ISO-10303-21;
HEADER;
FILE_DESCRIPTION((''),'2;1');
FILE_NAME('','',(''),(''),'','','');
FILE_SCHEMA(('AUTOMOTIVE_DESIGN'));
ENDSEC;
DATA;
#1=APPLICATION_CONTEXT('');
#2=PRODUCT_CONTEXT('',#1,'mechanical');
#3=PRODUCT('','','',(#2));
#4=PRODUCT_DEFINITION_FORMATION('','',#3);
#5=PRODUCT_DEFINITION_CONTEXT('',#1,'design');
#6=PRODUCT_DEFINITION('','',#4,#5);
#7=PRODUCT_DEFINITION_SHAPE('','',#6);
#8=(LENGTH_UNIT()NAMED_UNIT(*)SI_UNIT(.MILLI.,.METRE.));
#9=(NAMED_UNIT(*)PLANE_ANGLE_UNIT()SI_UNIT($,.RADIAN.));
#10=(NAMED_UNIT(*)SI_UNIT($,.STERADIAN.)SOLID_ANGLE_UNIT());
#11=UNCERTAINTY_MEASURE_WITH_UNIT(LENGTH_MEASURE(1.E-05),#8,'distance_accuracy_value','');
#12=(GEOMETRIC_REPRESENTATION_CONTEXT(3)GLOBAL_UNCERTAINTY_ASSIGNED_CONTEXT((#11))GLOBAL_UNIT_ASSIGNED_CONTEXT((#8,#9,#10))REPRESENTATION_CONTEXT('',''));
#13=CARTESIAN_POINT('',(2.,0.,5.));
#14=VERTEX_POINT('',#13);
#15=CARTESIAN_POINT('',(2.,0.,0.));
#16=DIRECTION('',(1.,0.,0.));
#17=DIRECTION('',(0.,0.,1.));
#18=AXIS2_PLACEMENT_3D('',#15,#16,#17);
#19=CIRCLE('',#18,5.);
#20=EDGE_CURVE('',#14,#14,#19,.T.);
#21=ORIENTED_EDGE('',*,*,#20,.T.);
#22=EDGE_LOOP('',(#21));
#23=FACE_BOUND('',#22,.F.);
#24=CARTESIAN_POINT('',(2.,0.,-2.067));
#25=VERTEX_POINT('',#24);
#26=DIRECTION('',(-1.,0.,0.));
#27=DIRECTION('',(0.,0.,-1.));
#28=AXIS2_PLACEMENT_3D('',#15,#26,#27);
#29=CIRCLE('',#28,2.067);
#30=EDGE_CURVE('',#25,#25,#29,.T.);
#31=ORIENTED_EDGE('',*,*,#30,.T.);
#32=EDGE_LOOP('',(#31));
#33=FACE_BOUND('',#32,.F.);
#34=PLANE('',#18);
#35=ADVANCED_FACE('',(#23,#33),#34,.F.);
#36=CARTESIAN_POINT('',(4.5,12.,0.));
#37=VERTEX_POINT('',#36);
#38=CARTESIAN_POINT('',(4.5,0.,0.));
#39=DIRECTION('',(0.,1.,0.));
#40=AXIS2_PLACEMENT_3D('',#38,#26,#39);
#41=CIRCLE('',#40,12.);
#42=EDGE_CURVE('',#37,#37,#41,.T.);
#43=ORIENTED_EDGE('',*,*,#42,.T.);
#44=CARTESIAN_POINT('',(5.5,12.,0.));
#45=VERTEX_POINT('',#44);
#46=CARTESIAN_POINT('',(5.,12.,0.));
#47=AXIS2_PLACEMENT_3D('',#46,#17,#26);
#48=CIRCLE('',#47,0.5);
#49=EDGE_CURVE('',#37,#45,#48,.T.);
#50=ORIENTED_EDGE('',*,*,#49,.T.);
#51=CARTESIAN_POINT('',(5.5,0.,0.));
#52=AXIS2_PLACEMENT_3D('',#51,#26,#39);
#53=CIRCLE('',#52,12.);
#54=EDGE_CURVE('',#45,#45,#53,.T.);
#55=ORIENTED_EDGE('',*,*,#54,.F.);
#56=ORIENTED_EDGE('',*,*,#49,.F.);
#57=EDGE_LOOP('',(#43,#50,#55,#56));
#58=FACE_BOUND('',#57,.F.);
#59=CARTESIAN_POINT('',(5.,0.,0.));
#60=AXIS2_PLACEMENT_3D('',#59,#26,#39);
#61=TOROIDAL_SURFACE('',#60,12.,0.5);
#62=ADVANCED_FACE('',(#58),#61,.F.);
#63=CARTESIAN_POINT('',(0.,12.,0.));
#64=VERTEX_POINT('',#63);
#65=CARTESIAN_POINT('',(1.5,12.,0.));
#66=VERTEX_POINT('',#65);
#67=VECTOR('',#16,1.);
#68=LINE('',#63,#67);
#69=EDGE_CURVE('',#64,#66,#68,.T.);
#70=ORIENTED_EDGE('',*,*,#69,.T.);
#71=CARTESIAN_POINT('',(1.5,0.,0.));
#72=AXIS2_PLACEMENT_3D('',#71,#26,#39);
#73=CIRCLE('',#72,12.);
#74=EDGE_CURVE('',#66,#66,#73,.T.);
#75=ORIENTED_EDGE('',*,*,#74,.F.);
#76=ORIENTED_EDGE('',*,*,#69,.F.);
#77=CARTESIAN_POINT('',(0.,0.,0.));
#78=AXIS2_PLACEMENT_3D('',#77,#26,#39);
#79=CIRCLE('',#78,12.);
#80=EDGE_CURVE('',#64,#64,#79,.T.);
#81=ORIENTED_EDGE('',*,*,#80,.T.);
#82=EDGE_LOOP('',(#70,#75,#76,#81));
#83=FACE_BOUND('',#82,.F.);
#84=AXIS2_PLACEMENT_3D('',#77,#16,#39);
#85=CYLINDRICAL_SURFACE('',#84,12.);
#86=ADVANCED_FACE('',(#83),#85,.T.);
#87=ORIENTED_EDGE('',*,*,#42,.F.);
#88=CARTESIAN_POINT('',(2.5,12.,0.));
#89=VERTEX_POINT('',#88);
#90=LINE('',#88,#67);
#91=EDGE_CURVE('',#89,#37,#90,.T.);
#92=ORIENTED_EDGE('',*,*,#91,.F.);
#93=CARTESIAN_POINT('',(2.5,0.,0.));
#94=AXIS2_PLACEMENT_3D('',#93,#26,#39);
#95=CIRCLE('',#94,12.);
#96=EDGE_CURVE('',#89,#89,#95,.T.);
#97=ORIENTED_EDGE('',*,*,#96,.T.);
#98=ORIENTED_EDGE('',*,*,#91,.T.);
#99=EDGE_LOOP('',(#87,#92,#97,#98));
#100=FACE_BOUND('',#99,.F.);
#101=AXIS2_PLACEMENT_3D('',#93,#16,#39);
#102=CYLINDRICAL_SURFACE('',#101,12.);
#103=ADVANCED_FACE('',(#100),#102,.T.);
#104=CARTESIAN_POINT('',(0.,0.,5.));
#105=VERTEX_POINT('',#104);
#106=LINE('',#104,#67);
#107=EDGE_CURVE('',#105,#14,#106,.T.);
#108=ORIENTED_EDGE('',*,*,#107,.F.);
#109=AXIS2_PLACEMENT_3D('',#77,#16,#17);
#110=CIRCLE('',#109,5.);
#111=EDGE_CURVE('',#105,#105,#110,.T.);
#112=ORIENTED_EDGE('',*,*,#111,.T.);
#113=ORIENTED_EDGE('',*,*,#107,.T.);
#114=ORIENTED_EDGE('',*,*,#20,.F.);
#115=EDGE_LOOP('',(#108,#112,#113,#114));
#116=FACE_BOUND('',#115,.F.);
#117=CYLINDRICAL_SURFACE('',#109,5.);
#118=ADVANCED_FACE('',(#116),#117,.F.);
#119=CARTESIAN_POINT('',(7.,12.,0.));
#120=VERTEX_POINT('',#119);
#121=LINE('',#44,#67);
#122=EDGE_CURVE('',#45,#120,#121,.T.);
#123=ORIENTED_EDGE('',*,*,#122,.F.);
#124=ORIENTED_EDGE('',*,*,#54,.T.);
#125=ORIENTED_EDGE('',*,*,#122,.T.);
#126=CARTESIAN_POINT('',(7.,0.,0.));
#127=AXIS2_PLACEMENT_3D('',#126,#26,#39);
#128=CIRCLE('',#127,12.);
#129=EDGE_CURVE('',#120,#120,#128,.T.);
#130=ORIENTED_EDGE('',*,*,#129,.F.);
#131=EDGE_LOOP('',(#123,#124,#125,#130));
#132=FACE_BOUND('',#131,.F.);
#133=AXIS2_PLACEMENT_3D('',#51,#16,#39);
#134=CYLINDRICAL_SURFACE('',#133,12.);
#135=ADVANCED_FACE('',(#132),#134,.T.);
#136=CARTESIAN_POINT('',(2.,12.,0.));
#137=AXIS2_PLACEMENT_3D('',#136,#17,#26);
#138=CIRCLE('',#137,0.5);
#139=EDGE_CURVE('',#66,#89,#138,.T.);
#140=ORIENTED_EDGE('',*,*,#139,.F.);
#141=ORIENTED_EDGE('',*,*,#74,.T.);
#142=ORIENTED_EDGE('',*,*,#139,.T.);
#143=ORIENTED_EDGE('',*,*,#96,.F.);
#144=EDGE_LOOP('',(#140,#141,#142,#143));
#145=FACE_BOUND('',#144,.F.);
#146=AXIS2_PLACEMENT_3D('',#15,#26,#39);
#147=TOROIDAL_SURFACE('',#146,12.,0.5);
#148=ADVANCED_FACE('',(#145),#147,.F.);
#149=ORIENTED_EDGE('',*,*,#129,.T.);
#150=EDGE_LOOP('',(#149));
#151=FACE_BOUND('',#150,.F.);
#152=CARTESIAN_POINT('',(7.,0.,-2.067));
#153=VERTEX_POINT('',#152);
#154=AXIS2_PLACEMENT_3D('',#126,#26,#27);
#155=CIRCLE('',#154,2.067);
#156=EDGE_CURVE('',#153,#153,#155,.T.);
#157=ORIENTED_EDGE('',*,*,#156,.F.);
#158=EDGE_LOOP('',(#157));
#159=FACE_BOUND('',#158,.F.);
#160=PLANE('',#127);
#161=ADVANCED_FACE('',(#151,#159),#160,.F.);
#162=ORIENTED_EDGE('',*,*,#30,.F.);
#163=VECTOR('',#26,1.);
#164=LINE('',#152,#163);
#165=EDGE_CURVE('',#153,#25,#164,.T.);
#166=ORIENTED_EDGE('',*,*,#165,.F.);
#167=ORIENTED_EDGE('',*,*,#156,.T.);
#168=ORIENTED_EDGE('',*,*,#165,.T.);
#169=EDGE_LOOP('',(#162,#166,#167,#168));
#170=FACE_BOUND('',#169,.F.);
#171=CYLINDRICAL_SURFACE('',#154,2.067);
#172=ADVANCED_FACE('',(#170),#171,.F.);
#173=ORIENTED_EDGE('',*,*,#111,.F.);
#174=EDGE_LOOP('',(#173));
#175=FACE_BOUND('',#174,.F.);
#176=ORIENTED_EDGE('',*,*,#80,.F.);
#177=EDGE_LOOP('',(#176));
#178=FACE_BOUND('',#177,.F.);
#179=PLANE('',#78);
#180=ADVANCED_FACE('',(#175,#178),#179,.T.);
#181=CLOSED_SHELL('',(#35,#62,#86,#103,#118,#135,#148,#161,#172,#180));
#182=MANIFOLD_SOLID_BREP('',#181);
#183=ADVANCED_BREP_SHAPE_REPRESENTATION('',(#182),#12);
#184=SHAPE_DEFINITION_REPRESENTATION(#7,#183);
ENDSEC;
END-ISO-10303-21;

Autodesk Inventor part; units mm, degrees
ref_plane "YZ Plane" through (0, 0, 0) normal (1, 0, 0) x (0, 1, 0)
ref_plane "XZ Plane" through (0, 0, 0) normal (0, 1, 0) x (-1, 0, 0)
ref_plane "XY Plane" through (0, 0, 0) normal (0, 0, 1) x (1, 0, 0)
sketch "Sketch1" plane through (0, 0, 0) normal (0, 0, 1) x (1, 0, 0)
  line L0 (0, 0) -> (0, 12)
  line L1 (0, 12) -> (1.5, 12)
  line L2 (1.5, 12) -> (1.5, 12)
  line L3 (2.5, 12) -> (2.5, 12)
  line L4 (2.5, 12) -> (4.5, 12)
  line L5 (4.5, 12) -> (4.5, 12)
  line L6 (5.5, 12) -> (5.5, 12)
  line L7 (5.5, 12) -> (7, 12)
  line L8 (7, 12) -> (7, 0)
  line L9 (7, 0) -> (0, 0)
  arc A0 (1.5, 12) -> (2.5, 12) centre (2, 12) ccw
  arc A1 (4.5, 12) -> (5.5, 12) centre (5, 12) ccw
  point P0 (0.75, 12)
  dimension "d0" = 7
  dimension "d2" = 0.5
  dimension "d3" = 0.5
  dimension "d4" = 2
  dimension "d5" = 2
  dimension "d6" = 24
revolve "Revolution1" add sketch "Sketch1" angle 360 about axis through (7, 0, 0) along (-1, 0, 0)
sketch "Sketch2" plane through (0, 0, 0) normal (-1, 0, 0) x (0, 0, 1)
  circle A0 centre (0, 0) radius 12 projected
  point P0 (0, 0)
hole "Hole1" at (0, 0, 0) direction (1, 0, 0) diameter 10 depth 2
sketch "Sketch3" plane through (7, 0, 0) normal (1, 0, 0) x (0, 0, -1)
  circle A0 centre (0, 0) radius 12 projected
hole "Hole2" at (7, 0, 0) direction (-1, 0, 0) diameter 4.134 depth 5 thread size "M5x0.8" class "6H" standard "ISO Metric profile"
equation "\"d5\" = d4"
properties part number "40"
